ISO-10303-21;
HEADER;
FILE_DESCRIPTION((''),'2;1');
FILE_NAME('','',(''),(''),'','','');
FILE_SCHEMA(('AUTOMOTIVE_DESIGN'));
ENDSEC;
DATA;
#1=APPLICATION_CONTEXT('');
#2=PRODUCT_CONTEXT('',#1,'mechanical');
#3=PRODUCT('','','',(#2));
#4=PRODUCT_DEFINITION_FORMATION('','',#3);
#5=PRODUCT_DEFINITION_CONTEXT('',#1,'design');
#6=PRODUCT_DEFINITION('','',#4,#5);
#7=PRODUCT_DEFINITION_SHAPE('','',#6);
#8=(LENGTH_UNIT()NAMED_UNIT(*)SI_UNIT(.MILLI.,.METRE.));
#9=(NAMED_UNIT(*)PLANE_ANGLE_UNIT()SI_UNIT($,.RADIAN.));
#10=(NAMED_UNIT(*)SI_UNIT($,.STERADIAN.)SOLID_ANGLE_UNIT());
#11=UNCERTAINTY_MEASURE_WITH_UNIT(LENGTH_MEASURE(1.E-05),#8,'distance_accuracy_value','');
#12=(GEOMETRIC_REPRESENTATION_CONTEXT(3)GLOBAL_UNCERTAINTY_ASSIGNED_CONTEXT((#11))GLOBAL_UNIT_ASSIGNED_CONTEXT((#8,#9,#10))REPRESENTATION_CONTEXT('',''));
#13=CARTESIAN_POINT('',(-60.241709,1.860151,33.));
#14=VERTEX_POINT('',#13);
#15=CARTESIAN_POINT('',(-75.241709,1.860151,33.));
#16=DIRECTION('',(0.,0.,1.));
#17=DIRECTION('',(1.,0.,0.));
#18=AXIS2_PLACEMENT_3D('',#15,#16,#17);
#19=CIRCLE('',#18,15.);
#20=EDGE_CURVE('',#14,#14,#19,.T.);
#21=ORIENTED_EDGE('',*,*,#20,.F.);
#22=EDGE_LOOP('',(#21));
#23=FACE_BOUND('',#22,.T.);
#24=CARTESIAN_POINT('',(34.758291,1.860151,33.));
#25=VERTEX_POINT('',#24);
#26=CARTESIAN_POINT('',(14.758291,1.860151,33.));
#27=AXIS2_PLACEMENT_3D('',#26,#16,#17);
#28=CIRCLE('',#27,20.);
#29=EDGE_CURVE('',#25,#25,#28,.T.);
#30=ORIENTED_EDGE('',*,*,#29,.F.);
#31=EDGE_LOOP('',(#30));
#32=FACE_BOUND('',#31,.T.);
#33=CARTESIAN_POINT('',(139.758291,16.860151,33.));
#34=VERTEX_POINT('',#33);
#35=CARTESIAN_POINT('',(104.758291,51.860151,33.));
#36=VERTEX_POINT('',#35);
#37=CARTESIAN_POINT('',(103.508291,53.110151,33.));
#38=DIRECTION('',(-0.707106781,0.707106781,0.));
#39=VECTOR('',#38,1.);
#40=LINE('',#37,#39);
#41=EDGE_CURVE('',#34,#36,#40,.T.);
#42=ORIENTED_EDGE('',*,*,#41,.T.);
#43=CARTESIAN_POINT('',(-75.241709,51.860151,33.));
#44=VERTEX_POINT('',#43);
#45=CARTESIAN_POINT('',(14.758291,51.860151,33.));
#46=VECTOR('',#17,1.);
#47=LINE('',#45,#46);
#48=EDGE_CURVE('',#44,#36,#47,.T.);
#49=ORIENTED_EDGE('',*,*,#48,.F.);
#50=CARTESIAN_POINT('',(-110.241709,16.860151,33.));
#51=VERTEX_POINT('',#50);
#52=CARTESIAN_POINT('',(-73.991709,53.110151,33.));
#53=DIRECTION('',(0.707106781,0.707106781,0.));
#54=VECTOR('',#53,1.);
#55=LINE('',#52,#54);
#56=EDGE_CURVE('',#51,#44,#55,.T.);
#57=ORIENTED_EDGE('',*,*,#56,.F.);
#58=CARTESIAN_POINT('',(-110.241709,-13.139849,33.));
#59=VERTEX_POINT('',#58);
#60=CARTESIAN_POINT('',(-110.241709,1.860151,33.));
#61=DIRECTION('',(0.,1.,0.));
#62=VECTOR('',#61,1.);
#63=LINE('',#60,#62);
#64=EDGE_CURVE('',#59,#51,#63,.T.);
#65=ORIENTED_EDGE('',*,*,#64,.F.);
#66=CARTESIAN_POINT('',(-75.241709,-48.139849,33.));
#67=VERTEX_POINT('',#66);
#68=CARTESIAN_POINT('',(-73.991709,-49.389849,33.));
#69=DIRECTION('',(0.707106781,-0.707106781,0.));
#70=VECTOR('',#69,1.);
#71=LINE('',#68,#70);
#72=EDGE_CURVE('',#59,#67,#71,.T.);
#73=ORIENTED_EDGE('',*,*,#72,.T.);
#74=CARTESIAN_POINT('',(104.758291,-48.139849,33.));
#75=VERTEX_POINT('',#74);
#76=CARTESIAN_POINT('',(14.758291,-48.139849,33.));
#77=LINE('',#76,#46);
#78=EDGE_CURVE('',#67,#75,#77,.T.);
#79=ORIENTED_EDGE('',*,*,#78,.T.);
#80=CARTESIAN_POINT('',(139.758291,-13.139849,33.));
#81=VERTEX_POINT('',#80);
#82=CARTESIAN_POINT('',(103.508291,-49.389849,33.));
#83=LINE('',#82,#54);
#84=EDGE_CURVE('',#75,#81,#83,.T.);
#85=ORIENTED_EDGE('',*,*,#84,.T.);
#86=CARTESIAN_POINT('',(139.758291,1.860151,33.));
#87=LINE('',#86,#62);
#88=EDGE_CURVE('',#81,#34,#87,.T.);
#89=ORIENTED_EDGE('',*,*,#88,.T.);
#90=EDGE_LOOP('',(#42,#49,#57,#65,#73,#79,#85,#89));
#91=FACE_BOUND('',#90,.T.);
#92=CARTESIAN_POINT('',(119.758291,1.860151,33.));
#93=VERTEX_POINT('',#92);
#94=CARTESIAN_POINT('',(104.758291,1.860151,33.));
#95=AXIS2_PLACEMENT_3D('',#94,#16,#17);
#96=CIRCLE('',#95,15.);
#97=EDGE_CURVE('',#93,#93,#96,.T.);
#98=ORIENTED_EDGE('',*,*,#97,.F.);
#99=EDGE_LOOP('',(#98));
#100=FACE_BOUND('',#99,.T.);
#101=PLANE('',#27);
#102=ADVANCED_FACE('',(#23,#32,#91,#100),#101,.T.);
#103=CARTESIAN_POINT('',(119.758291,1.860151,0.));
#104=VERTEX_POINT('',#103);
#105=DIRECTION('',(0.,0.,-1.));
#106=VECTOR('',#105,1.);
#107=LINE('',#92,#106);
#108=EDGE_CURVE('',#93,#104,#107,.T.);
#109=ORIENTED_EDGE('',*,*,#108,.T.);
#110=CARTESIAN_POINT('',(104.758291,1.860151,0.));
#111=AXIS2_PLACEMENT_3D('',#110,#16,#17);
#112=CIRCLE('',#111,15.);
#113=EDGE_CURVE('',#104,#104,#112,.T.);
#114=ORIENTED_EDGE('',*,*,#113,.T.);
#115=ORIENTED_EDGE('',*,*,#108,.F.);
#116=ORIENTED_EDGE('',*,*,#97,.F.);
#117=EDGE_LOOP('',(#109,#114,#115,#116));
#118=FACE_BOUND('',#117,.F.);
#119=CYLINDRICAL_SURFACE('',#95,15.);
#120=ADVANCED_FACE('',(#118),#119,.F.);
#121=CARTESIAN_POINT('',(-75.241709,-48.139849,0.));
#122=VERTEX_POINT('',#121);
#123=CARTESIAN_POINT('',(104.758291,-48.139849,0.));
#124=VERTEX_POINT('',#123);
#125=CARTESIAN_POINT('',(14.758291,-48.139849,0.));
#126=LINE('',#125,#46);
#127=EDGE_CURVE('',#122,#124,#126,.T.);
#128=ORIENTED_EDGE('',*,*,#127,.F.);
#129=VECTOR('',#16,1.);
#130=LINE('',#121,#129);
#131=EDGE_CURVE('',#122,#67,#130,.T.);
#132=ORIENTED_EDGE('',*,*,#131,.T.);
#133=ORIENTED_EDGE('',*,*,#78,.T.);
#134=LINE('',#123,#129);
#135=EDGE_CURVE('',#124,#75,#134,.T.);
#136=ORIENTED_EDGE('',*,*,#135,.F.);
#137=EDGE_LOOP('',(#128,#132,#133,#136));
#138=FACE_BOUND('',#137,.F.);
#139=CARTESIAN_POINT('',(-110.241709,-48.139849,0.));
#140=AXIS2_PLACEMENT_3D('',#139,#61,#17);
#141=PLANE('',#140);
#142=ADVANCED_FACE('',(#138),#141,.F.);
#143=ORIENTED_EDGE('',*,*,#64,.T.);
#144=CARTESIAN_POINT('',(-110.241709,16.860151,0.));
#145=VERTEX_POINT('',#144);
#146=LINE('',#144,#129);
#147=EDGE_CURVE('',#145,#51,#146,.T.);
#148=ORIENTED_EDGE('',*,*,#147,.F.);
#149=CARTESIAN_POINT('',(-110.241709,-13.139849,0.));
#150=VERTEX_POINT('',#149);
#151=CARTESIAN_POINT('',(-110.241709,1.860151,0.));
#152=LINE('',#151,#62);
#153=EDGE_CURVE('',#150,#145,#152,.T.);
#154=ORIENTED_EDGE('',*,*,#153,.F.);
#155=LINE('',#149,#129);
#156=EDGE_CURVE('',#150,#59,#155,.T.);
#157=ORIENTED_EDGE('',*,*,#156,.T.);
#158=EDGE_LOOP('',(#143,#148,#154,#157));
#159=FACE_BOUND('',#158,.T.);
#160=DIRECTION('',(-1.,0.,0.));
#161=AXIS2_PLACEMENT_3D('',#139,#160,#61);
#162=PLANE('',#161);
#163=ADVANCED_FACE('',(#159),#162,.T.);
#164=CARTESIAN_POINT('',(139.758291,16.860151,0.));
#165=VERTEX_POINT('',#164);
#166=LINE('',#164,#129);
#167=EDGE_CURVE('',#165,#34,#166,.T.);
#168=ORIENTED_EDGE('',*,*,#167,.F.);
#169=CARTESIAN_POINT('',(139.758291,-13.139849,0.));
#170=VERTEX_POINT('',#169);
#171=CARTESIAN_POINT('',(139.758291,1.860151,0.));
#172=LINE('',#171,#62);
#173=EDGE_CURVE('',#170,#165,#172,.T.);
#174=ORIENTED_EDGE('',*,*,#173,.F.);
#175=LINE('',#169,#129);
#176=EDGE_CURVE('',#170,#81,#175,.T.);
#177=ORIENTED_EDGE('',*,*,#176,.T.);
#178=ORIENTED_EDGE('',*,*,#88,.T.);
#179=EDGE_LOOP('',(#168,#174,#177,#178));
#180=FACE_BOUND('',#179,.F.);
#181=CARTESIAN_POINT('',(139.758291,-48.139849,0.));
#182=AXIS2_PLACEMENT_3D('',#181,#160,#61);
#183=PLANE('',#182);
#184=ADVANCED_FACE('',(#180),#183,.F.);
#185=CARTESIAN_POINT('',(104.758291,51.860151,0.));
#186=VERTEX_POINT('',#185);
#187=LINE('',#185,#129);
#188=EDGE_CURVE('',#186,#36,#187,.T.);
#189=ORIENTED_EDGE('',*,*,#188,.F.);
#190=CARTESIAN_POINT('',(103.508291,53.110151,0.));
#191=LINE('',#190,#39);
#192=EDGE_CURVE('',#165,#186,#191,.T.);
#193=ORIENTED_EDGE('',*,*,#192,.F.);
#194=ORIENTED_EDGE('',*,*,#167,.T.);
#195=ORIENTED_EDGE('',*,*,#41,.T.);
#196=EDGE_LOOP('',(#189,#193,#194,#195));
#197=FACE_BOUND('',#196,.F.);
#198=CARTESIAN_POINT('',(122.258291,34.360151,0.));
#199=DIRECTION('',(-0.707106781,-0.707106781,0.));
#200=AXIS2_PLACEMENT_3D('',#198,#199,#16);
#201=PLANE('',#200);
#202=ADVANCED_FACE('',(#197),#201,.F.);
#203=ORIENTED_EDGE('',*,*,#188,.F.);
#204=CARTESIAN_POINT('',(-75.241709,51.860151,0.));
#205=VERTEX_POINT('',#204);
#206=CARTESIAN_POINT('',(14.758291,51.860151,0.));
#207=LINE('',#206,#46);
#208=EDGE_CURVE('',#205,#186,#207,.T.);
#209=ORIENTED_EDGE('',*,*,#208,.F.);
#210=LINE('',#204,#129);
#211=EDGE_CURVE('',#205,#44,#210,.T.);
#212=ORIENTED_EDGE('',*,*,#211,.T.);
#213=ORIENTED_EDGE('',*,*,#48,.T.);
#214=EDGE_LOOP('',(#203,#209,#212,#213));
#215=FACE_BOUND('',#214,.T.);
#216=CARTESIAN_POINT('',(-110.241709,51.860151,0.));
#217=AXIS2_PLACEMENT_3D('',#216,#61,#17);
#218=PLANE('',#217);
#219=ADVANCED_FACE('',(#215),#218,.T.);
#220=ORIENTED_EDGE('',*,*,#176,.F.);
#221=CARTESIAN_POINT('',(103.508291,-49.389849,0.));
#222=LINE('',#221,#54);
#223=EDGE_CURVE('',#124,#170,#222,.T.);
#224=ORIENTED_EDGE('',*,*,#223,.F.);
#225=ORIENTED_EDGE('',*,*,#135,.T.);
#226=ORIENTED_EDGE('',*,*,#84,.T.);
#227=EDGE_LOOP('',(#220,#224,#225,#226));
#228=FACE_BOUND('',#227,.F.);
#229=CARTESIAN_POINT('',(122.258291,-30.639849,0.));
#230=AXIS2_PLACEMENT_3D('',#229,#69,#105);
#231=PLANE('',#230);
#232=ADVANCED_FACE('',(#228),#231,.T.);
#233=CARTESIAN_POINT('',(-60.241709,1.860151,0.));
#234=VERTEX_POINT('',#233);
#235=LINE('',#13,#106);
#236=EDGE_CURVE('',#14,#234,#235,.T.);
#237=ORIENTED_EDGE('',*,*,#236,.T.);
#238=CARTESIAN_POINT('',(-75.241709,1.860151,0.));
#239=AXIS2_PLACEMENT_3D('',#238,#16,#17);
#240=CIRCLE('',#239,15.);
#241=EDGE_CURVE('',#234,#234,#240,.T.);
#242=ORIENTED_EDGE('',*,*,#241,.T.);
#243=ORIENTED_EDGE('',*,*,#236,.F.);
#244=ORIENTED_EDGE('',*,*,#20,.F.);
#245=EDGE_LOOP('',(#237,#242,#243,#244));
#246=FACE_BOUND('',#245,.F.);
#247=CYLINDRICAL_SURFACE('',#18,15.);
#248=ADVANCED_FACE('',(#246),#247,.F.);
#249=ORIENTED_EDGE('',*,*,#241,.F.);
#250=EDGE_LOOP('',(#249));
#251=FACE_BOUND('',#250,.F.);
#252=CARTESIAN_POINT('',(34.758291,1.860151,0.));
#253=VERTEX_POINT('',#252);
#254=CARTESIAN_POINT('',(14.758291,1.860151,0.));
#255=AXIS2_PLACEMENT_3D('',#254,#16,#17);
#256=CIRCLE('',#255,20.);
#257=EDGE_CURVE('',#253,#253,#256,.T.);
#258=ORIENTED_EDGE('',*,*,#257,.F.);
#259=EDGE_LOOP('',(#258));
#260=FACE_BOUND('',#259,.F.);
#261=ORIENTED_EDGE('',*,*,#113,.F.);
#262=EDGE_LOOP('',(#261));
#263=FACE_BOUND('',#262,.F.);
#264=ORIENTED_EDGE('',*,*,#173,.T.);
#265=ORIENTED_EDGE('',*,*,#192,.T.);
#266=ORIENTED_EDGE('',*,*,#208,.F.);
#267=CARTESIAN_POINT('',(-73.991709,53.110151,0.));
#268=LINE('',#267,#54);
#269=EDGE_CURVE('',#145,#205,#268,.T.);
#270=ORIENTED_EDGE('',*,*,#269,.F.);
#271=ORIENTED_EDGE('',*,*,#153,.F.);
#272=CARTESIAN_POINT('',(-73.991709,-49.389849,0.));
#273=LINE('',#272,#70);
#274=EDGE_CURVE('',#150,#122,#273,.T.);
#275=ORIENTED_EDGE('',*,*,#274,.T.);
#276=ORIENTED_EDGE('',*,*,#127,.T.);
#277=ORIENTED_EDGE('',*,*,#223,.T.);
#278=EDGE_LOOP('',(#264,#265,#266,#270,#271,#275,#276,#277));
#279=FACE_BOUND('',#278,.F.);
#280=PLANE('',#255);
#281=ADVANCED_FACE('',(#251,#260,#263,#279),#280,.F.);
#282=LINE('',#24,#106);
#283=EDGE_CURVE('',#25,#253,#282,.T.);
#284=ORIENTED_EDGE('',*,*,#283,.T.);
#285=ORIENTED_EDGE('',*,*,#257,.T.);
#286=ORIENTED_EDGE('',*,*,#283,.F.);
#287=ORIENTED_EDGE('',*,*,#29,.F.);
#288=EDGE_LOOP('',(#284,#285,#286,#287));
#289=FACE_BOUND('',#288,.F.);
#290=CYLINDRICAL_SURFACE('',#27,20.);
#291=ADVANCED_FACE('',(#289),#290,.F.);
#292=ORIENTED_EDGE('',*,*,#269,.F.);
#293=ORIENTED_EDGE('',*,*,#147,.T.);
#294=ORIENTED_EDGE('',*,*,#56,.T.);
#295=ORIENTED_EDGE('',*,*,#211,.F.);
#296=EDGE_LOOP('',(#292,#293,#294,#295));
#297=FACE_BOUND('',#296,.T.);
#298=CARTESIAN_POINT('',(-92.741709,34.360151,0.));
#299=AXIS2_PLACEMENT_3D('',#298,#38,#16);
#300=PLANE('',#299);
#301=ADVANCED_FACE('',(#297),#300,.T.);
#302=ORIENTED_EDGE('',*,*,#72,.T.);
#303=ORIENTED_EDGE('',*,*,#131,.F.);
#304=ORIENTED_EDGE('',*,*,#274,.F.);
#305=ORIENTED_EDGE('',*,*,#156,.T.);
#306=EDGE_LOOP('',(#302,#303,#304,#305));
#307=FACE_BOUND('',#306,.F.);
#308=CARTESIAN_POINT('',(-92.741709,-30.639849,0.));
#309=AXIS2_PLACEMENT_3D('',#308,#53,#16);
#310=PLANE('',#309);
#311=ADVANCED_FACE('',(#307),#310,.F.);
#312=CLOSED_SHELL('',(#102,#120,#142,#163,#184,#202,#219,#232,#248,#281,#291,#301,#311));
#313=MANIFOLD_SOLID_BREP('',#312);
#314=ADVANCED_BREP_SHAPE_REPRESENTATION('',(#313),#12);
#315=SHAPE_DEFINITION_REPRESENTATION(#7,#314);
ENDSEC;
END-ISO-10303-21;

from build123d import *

# Parameters (mm, degrees)
SKETCH1_W           = 250
SKETCH1_H           = 100
BOSS_EXTRUDE1_DEPTH = 33
CHAMFER1_SIZE       = 35
SKETCH2_R           = 20
CUT_EXTRUDE1_DEPTH  = 35
SKETCH3_R           = 15
CUT_EXTRUDE2_DEPTH  = 33
LPATTERN1_COUNT     = 2
LPATTERN1_PITCH     = 180


with BuildPart() as part:
    # Sketch1 → Boss-Extrude1 (new body)
    with BuildSketch(Plane.XY):
        with Locations((14.758290847, 1.860150752)):
            Rectangle(SKETCH1_W, SKETCH1_H)
    extrude(amount=BOSS_EXTRUDE1_DEPTH)

    # Chamfer1
    chamfer1_edges = [part.edges().sort_by_distance(p)[0] for p in [
        (-110.241709153, 51.860150752, 16.5),
        (139.758290847, 51.860150752, 16.5),
        (139.758290847, -48.139849248, 16.5),
        (-110.241709153, -48.139849248, 16.5),
    ]]
    chamfer(chamfer1_edges, length=CHAMFER1_SIZE)

    # Sketch2 → Cut-Extrude1 (cut)
    with BuildSketch(Plane.XY.offset(33)):
        with Locations((14.758290847, 1.860150752)):
            Circle(SKETCH2_R)
    extrude(amount=-CUT_EXTRUDE1_DEPTH, mode=Mode.SUBTRACT)

    # Sketch3 → Cut-Extrude2 (cut)
    with BuildSketch(Plane.XY.offset(33)):
        with Locations((104.758290847, 1.860150752)):
            Circle(SKETCH3_R)
    cut_extrude2 = extrude(amount=-CUT_EXTRUDE2_DEPTH, mode=Mode.SUBTRACT)

    # LPattern1: Cut-Extrude2 ×2
    with Locations(*[(-i * LPATTERN1_PITCH, 0, 0) for i in range(1, LPATTERN1_COUNT)]):
        add(cut_extrude2, mode=Mode.SUBTRACT)


solid = part.part
